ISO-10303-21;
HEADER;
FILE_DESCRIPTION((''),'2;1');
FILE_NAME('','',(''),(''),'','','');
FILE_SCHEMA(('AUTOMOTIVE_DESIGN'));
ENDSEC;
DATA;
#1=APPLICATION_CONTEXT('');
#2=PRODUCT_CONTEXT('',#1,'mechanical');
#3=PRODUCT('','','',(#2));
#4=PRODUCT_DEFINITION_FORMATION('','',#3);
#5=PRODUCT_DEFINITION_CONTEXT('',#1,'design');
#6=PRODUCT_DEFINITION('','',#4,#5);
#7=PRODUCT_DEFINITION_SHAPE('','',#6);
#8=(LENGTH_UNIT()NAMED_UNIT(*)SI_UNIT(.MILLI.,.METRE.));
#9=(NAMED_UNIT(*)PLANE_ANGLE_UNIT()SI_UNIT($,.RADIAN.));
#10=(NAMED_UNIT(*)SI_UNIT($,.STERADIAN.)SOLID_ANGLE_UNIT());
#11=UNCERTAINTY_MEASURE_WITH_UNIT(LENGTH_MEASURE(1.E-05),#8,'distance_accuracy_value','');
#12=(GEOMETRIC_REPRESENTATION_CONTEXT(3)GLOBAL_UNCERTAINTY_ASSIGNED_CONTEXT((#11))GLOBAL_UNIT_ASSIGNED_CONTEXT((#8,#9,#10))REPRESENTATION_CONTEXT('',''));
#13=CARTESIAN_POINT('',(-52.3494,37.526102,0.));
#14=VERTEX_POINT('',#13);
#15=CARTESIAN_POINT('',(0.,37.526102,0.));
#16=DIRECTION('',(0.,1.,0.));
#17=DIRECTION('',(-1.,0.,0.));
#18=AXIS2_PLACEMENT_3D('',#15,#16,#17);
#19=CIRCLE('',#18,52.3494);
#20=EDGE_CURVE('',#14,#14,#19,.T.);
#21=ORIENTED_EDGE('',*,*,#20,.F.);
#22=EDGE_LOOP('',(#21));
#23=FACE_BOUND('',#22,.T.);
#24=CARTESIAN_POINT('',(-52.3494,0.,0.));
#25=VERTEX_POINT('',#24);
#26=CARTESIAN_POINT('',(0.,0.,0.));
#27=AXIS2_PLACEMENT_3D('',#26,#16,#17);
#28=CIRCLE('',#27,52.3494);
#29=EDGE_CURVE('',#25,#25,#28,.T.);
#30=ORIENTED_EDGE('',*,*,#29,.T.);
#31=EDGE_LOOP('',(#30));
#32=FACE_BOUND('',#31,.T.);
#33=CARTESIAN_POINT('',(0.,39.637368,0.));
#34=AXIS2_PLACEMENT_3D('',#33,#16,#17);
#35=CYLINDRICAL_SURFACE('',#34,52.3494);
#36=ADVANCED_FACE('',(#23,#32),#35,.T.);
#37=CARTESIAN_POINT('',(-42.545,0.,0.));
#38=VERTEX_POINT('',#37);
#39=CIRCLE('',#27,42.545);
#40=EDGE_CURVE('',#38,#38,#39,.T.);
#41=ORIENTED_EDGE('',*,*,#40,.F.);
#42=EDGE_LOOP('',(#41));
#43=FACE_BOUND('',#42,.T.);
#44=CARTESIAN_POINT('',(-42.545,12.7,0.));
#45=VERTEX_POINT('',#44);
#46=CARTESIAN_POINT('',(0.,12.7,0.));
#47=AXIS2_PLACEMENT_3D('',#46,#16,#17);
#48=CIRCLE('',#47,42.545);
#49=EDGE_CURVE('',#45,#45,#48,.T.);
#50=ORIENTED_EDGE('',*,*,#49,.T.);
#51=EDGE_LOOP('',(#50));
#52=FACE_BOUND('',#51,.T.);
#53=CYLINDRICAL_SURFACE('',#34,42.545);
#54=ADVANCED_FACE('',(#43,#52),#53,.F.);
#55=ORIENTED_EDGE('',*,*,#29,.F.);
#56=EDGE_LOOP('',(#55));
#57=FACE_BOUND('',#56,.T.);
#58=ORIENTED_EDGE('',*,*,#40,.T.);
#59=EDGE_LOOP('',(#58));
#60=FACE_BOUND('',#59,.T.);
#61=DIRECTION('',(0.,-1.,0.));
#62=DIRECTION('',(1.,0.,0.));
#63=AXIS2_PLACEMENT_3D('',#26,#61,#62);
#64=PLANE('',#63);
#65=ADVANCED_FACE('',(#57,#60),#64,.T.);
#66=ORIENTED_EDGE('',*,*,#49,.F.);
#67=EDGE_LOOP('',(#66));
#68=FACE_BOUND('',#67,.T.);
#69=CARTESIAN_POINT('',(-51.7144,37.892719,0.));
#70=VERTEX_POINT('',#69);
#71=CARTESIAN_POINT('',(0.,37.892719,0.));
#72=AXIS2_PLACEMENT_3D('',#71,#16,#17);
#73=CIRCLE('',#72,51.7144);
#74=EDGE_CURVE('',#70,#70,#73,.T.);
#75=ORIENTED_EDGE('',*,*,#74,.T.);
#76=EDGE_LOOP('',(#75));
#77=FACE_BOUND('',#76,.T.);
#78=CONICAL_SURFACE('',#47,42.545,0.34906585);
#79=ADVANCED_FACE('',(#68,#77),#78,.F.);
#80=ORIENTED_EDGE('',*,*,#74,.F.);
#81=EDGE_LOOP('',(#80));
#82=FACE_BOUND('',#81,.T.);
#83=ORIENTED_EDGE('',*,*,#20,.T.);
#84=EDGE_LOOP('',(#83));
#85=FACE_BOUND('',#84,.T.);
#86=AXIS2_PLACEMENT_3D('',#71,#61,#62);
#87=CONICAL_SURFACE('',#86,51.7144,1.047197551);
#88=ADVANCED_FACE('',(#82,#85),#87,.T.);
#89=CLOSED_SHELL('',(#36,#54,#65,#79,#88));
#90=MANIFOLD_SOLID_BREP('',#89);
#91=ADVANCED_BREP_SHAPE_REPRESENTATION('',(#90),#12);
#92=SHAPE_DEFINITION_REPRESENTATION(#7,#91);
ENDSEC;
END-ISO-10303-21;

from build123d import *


with BuildPart() as part:
    # Sketch1 → Revolve1 (revolve)
    with BuildSketch(Plane.XY, mode=Mode.PRIVATE) as revolve1_sk:
        Polygon((42.545, 12.7), (51.7144, 37.89271945), (52.3494, 37.526102029), (52.3494, 0), (42.545, 0), align=None)
    revolve(revolve1_sk.sketch.rotate(Axis((0, 39.637367611, 0), (0, -1, 0)), 180), axis=Axis((0, 39.637367611, 0), (0, -1, 0)))


solid = part.part
